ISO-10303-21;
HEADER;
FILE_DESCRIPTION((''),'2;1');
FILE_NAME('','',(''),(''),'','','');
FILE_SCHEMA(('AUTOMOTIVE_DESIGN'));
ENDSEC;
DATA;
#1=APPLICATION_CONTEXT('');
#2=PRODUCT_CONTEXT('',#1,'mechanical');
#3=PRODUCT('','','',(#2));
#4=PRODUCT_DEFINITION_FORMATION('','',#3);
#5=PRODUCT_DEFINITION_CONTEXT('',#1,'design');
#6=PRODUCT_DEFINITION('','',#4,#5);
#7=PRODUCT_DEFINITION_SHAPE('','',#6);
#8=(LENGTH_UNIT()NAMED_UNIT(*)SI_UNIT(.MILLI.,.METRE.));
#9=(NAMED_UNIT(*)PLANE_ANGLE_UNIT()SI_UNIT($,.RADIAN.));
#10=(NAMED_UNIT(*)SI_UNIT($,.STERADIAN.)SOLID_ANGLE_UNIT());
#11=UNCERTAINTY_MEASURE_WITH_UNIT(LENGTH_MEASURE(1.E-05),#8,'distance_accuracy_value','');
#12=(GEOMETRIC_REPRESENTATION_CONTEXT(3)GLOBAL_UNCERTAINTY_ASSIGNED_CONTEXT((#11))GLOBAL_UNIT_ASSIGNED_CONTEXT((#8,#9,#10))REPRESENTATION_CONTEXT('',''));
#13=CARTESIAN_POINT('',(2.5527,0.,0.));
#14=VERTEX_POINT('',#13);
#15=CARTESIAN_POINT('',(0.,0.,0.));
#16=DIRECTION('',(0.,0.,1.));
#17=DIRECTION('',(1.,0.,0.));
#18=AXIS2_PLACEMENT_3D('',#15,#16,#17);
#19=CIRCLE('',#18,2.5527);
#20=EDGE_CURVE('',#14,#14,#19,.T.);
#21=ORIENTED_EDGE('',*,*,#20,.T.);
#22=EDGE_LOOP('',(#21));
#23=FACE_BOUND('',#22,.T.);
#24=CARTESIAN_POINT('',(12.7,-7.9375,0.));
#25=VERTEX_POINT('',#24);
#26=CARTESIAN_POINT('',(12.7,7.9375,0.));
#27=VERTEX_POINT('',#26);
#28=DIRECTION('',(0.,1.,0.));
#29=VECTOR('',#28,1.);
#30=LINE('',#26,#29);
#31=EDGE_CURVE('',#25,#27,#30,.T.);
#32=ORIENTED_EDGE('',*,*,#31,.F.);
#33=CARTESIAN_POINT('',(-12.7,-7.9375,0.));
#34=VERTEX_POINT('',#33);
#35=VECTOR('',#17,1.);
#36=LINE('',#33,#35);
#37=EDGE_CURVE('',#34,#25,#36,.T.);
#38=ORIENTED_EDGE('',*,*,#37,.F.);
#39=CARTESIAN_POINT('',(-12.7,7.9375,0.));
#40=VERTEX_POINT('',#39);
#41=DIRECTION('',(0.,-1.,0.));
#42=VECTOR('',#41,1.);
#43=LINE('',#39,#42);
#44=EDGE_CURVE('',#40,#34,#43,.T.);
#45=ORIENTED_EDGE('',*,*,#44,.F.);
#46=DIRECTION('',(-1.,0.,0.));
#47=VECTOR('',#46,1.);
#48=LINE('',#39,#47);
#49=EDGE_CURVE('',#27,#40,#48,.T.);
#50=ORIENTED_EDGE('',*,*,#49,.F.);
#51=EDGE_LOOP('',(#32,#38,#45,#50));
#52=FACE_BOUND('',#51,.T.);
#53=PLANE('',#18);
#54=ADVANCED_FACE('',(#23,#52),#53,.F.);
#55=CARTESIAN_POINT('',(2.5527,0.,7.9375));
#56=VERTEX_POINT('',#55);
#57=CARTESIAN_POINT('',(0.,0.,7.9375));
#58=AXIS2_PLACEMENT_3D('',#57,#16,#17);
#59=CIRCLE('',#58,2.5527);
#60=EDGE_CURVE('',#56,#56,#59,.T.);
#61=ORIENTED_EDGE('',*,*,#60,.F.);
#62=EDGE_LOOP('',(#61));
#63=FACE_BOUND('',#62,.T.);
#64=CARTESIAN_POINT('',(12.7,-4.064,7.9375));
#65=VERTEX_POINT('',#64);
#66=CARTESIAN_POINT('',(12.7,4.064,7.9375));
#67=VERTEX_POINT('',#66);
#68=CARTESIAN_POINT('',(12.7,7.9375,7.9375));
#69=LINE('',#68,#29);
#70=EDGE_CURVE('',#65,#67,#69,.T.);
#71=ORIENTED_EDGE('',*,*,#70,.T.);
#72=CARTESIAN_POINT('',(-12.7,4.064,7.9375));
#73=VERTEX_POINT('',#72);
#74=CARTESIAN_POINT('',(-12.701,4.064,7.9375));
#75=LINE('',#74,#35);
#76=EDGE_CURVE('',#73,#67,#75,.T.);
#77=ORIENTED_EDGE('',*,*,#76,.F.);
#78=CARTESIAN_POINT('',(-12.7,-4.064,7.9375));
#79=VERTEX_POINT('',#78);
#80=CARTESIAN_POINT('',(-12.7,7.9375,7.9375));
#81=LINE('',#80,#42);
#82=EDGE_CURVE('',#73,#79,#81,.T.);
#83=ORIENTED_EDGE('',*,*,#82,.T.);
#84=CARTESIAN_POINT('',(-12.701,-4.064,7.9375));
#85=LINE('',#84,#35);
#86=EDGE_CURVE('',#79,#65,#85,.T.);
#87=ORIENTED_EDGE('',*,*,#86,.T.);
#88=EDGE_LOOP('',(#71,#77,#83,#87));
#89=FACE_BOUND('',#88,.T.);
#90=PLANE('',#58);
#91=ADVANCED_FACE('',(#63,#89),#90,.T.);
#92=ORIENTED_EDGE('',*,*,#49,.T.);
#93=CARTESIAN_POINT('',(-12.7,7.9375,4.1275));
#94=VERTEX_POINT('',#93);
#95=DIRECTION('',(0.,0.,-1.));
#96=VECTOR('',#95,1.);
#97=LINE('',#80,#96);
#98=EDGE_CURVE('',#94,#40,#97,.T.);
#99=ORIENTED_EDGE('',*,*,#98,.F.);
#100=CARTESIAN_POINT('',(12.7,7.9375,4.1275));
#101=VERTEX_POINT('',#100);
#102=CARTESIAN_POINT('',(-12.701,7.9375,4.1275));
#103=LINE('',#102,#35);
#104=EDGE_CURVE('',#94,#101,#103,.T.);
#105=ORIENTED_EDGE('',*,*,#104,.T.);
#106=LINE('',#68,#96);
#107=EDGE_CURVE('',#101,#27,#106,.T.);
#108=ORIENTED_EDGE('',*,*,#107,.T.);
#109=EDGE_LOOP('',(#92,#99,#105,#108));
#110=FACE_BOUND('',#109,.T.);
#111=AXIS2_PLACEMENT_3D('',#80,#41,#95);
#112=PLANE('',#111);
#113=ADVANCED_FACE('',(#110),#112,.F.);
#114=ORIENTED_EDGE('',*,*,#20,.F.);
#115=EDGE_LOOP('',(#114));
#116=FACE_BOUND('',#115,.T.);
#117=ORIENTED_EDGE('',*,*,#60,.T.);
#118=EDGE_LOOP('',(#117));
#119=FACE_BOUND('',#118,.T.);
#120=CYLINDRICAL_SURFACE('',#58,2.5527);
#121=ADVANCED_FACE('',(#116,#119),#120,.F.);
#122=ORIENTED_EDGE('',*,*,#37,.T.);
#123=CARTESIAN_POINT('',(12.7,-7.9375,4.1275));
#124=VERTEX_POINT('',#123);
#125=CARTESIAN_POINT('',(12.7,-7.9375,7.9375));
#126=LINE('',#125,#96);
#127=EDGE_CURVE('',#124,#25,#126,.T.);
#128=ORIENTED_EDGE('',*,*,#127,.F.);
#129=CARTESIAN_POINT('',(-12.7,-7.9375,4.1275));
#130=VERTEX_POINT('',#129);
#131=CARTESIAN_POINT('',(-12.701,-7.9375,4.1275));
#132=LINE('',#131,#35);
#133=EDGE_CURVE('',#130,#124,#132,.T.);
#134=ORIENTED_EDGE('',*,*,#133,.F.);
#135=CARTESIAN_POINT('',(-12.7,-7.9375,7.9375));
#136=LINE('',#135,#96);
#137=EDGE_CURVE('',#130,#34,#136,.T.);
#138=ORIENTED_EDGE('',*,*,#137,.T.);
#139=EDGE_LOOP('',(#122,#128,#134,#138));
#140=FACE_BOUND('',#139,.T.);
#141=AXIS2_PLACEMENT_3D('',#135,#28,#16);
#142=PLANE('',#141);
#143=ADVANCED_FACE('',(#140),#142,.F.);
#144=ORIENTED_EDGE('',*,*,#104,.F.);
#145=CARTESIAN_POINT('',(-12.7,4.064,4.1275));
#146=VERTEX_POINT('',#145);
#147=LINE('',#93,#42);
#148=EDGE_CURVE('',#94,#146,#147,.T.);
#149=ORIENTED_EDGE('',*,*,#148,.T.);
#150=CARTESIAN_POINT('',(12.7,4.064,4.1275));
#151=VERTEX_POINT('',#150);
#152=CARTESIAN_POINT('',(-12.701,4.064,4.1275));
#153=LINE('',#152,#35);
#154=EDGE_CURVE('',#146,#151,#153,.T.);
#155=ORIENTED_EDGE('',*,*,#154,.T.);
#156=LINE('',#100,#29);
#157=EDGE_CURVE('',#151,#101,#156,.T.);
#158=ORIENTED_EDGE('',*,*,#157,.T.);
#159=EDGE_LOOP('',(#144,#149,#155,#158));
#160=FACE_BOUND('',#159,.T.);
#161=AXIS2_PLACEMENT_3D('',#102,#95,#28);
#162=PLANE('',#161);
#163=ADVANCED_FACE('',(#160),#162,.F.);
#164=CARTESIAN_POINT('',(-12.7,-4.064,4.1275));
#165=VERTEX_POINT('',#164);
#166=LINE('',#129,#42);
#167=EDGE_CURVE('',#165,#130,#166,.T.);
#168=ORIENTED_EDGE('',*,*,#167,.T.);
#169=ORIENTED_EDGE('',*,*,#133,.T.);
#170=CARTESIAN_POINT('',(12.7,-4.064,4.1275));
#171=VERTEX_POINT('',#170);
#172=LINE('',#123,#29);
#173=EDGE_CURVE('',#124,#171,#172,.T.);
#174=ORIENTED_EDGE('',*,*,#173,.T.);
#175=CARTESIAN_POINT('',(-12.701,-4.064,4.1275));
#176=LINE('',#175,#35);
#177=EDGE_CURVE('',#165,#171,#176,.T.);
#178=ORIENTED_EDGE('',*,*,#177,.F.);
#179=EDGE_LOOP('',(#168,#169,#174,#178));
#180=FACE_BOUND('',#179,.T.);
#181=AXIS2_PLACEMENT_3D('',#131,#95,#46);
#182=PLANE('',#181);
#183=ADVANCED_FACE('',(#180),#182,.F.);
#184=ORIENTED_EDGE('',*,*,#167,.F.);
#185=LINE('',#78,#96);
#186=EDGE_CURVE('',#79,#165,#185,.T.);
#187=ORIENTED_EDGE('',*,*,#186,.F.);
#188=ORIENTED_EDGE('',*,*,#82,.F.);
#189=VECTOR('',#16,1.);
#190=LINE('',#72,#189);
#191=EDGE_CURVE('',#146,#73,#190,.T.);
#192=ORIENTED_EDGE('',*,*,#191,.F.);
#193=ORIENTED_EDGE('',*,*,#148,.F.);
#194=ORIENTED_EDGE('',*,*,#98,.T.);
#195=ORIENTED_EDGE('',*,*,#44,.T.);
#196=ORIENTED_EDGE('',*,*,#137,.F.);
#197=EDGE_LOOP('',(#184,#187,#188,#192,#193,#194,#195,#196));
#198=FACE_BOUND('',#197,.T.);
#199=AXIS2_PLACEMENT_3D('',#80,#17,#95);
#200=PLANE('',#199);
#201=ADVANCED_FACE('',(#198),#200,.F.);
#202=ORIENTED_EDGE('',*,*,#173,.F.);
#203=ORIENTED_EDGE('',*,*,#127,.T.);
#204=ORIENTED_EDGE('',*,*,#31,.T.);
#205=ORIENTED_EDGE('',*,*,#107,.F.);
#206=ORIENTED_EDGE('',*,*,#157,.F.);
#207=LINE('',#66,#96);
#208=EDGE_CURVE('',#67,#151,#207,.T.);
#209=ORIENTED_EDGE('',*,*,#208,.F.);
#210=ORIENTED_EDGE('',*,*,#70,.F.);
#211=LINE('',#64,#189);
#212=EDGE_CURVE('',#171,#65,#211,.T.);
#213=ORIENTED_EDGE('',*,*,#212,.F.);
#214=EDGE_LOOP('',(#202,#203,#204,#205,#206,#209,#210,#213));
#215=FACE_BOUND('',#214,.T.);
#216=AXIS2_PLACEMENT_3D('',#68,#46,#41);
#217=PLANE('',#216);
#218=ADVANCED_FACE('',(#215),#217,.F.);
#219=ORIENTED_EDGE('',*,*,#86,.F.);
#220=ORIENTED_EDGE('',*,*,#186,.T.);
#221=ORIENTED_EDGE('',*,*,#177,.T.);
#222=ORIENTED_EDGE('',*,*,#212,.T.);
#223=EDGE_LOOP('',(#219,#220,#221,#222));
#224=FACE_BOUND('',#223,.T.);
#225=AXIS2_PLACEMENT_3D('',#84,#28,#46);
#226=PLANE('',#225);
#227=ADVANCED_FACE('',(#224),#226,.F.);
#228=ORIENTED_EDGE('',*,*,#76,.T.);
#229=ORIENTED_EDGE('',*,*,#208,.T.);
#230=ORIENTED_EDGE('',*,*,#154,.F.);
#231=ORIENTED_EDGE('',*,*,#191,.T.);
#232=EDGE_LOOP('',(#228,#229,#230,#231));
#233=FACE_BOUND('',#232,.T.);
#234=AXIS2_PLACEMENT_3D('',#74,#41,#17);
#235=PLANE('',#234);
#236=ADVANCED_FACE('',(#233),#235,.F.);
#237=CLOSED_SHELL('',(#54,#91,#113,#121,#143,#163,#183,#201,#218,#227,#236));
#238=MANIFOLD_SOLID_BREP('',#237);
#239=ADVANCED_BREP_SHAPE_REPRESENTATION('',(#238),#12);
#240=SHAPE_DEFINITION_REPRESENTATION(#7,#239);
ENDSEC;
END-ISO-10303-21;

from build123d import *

# Parameters (mm, degrees)
SKETCH1_W                   = 25.4
SKETCH1_H                   = 15.875
BOSS_EXTRUDE1_DEPTH         = 7.9375
CUT_EXTRUDE1_REACH          = 27.4
SKETCH2_W                   = 3.81
SKETCH2_H                   = 3.8735
F_1_4_20_TAPPED_HOLE1_D     = 5.1054
F_1_4_20_TAPPED_HOLE1_DEPTH = 16.51
F_1_4_20_TAPPED_HOLE1_TIP   = 1.533816902


with BuildPart() as part:
    # Sketch1 → Boss-Extrude1 (new body)
    with BuildSketch(Plane.XY):
        Rectangle(SKETCH1_W, SKETCH1_H)
    extrude(amount=BOSS_EXTRUDE1_DEPTH)

    # Sketch2 → Cut-Extrude1 (cut, up to next)
    with BuildSketch(Plane(origin=(12.7, 0, 0), x_dir=(0, 0, -1), z_dir=(1, 0, 0)), mode=Mode.PRIVATE) as cut_extrude1_sk1:
        with Locations((-6.0325, 6.00075)):
            Rectangle(SKETCH2_W, SKETCH2_H)
    cut_extrude1_tool1 = extrude(cut_extrude1_sk1.sketch, amount=-CUT_EXTRUDE1_REACH, mode=Mode.PRIVATE) & part.part
    add(cut_extrude1_tool1.solids().sort_by_distance((12.7, 6.00075, 6.0325))[0], mode=Mode.SUBTRACT)
    # Sketch2 → Cut-Extrude1 (cut, up to next)
    with BuildSketch(Plane(origin=(12.7, 0, 0), x_dir=(0, 0, -1), z_dir=(1, 0, 0)), mode=Mode.PRIVATE) as cut_extrude1_sk2:
        with Locations((-6.0325, -6.00075)):
            Rectangle(SKETCH2_W, SKETCH2_H)
    cut_extrude1_tool2 = extrude(cut_extrude1_sk2.sketch, amount=-CUT_EXTRUDE1_REACH, mode=Mode.PRIVATE) & part.part
    add(cut_extrude1_tool2.solids().sort_by_distance((12.7, -6.00075, 6.0325))[0], mode=Mode.SUBTRACT)

    # 1/4-20 Tapped Hole1
    with Locations(Plane.XY.offset(7.9375)):
        with Locations((0, 0)):
            Hole(F_1_4_20_TAPPED_HOLE1_D / 2, depth=F_1_4_20_TAPPED_HOLE1_DEPTH)
            with Locations((0, 0, -(F_1_4_20_TAPPED_HOLE1_DEPTH + F_1_4_20_TAPPED_HOLE1_TIP / 2))):  # 118° drill point
                Cone(0, F_1_4_20_TAPPED_HOLE1_D / 2, F_1_4_20_TAPPED_HOLE1_TIP, mode=Mode.SUBTRACT)


solid = part.part
